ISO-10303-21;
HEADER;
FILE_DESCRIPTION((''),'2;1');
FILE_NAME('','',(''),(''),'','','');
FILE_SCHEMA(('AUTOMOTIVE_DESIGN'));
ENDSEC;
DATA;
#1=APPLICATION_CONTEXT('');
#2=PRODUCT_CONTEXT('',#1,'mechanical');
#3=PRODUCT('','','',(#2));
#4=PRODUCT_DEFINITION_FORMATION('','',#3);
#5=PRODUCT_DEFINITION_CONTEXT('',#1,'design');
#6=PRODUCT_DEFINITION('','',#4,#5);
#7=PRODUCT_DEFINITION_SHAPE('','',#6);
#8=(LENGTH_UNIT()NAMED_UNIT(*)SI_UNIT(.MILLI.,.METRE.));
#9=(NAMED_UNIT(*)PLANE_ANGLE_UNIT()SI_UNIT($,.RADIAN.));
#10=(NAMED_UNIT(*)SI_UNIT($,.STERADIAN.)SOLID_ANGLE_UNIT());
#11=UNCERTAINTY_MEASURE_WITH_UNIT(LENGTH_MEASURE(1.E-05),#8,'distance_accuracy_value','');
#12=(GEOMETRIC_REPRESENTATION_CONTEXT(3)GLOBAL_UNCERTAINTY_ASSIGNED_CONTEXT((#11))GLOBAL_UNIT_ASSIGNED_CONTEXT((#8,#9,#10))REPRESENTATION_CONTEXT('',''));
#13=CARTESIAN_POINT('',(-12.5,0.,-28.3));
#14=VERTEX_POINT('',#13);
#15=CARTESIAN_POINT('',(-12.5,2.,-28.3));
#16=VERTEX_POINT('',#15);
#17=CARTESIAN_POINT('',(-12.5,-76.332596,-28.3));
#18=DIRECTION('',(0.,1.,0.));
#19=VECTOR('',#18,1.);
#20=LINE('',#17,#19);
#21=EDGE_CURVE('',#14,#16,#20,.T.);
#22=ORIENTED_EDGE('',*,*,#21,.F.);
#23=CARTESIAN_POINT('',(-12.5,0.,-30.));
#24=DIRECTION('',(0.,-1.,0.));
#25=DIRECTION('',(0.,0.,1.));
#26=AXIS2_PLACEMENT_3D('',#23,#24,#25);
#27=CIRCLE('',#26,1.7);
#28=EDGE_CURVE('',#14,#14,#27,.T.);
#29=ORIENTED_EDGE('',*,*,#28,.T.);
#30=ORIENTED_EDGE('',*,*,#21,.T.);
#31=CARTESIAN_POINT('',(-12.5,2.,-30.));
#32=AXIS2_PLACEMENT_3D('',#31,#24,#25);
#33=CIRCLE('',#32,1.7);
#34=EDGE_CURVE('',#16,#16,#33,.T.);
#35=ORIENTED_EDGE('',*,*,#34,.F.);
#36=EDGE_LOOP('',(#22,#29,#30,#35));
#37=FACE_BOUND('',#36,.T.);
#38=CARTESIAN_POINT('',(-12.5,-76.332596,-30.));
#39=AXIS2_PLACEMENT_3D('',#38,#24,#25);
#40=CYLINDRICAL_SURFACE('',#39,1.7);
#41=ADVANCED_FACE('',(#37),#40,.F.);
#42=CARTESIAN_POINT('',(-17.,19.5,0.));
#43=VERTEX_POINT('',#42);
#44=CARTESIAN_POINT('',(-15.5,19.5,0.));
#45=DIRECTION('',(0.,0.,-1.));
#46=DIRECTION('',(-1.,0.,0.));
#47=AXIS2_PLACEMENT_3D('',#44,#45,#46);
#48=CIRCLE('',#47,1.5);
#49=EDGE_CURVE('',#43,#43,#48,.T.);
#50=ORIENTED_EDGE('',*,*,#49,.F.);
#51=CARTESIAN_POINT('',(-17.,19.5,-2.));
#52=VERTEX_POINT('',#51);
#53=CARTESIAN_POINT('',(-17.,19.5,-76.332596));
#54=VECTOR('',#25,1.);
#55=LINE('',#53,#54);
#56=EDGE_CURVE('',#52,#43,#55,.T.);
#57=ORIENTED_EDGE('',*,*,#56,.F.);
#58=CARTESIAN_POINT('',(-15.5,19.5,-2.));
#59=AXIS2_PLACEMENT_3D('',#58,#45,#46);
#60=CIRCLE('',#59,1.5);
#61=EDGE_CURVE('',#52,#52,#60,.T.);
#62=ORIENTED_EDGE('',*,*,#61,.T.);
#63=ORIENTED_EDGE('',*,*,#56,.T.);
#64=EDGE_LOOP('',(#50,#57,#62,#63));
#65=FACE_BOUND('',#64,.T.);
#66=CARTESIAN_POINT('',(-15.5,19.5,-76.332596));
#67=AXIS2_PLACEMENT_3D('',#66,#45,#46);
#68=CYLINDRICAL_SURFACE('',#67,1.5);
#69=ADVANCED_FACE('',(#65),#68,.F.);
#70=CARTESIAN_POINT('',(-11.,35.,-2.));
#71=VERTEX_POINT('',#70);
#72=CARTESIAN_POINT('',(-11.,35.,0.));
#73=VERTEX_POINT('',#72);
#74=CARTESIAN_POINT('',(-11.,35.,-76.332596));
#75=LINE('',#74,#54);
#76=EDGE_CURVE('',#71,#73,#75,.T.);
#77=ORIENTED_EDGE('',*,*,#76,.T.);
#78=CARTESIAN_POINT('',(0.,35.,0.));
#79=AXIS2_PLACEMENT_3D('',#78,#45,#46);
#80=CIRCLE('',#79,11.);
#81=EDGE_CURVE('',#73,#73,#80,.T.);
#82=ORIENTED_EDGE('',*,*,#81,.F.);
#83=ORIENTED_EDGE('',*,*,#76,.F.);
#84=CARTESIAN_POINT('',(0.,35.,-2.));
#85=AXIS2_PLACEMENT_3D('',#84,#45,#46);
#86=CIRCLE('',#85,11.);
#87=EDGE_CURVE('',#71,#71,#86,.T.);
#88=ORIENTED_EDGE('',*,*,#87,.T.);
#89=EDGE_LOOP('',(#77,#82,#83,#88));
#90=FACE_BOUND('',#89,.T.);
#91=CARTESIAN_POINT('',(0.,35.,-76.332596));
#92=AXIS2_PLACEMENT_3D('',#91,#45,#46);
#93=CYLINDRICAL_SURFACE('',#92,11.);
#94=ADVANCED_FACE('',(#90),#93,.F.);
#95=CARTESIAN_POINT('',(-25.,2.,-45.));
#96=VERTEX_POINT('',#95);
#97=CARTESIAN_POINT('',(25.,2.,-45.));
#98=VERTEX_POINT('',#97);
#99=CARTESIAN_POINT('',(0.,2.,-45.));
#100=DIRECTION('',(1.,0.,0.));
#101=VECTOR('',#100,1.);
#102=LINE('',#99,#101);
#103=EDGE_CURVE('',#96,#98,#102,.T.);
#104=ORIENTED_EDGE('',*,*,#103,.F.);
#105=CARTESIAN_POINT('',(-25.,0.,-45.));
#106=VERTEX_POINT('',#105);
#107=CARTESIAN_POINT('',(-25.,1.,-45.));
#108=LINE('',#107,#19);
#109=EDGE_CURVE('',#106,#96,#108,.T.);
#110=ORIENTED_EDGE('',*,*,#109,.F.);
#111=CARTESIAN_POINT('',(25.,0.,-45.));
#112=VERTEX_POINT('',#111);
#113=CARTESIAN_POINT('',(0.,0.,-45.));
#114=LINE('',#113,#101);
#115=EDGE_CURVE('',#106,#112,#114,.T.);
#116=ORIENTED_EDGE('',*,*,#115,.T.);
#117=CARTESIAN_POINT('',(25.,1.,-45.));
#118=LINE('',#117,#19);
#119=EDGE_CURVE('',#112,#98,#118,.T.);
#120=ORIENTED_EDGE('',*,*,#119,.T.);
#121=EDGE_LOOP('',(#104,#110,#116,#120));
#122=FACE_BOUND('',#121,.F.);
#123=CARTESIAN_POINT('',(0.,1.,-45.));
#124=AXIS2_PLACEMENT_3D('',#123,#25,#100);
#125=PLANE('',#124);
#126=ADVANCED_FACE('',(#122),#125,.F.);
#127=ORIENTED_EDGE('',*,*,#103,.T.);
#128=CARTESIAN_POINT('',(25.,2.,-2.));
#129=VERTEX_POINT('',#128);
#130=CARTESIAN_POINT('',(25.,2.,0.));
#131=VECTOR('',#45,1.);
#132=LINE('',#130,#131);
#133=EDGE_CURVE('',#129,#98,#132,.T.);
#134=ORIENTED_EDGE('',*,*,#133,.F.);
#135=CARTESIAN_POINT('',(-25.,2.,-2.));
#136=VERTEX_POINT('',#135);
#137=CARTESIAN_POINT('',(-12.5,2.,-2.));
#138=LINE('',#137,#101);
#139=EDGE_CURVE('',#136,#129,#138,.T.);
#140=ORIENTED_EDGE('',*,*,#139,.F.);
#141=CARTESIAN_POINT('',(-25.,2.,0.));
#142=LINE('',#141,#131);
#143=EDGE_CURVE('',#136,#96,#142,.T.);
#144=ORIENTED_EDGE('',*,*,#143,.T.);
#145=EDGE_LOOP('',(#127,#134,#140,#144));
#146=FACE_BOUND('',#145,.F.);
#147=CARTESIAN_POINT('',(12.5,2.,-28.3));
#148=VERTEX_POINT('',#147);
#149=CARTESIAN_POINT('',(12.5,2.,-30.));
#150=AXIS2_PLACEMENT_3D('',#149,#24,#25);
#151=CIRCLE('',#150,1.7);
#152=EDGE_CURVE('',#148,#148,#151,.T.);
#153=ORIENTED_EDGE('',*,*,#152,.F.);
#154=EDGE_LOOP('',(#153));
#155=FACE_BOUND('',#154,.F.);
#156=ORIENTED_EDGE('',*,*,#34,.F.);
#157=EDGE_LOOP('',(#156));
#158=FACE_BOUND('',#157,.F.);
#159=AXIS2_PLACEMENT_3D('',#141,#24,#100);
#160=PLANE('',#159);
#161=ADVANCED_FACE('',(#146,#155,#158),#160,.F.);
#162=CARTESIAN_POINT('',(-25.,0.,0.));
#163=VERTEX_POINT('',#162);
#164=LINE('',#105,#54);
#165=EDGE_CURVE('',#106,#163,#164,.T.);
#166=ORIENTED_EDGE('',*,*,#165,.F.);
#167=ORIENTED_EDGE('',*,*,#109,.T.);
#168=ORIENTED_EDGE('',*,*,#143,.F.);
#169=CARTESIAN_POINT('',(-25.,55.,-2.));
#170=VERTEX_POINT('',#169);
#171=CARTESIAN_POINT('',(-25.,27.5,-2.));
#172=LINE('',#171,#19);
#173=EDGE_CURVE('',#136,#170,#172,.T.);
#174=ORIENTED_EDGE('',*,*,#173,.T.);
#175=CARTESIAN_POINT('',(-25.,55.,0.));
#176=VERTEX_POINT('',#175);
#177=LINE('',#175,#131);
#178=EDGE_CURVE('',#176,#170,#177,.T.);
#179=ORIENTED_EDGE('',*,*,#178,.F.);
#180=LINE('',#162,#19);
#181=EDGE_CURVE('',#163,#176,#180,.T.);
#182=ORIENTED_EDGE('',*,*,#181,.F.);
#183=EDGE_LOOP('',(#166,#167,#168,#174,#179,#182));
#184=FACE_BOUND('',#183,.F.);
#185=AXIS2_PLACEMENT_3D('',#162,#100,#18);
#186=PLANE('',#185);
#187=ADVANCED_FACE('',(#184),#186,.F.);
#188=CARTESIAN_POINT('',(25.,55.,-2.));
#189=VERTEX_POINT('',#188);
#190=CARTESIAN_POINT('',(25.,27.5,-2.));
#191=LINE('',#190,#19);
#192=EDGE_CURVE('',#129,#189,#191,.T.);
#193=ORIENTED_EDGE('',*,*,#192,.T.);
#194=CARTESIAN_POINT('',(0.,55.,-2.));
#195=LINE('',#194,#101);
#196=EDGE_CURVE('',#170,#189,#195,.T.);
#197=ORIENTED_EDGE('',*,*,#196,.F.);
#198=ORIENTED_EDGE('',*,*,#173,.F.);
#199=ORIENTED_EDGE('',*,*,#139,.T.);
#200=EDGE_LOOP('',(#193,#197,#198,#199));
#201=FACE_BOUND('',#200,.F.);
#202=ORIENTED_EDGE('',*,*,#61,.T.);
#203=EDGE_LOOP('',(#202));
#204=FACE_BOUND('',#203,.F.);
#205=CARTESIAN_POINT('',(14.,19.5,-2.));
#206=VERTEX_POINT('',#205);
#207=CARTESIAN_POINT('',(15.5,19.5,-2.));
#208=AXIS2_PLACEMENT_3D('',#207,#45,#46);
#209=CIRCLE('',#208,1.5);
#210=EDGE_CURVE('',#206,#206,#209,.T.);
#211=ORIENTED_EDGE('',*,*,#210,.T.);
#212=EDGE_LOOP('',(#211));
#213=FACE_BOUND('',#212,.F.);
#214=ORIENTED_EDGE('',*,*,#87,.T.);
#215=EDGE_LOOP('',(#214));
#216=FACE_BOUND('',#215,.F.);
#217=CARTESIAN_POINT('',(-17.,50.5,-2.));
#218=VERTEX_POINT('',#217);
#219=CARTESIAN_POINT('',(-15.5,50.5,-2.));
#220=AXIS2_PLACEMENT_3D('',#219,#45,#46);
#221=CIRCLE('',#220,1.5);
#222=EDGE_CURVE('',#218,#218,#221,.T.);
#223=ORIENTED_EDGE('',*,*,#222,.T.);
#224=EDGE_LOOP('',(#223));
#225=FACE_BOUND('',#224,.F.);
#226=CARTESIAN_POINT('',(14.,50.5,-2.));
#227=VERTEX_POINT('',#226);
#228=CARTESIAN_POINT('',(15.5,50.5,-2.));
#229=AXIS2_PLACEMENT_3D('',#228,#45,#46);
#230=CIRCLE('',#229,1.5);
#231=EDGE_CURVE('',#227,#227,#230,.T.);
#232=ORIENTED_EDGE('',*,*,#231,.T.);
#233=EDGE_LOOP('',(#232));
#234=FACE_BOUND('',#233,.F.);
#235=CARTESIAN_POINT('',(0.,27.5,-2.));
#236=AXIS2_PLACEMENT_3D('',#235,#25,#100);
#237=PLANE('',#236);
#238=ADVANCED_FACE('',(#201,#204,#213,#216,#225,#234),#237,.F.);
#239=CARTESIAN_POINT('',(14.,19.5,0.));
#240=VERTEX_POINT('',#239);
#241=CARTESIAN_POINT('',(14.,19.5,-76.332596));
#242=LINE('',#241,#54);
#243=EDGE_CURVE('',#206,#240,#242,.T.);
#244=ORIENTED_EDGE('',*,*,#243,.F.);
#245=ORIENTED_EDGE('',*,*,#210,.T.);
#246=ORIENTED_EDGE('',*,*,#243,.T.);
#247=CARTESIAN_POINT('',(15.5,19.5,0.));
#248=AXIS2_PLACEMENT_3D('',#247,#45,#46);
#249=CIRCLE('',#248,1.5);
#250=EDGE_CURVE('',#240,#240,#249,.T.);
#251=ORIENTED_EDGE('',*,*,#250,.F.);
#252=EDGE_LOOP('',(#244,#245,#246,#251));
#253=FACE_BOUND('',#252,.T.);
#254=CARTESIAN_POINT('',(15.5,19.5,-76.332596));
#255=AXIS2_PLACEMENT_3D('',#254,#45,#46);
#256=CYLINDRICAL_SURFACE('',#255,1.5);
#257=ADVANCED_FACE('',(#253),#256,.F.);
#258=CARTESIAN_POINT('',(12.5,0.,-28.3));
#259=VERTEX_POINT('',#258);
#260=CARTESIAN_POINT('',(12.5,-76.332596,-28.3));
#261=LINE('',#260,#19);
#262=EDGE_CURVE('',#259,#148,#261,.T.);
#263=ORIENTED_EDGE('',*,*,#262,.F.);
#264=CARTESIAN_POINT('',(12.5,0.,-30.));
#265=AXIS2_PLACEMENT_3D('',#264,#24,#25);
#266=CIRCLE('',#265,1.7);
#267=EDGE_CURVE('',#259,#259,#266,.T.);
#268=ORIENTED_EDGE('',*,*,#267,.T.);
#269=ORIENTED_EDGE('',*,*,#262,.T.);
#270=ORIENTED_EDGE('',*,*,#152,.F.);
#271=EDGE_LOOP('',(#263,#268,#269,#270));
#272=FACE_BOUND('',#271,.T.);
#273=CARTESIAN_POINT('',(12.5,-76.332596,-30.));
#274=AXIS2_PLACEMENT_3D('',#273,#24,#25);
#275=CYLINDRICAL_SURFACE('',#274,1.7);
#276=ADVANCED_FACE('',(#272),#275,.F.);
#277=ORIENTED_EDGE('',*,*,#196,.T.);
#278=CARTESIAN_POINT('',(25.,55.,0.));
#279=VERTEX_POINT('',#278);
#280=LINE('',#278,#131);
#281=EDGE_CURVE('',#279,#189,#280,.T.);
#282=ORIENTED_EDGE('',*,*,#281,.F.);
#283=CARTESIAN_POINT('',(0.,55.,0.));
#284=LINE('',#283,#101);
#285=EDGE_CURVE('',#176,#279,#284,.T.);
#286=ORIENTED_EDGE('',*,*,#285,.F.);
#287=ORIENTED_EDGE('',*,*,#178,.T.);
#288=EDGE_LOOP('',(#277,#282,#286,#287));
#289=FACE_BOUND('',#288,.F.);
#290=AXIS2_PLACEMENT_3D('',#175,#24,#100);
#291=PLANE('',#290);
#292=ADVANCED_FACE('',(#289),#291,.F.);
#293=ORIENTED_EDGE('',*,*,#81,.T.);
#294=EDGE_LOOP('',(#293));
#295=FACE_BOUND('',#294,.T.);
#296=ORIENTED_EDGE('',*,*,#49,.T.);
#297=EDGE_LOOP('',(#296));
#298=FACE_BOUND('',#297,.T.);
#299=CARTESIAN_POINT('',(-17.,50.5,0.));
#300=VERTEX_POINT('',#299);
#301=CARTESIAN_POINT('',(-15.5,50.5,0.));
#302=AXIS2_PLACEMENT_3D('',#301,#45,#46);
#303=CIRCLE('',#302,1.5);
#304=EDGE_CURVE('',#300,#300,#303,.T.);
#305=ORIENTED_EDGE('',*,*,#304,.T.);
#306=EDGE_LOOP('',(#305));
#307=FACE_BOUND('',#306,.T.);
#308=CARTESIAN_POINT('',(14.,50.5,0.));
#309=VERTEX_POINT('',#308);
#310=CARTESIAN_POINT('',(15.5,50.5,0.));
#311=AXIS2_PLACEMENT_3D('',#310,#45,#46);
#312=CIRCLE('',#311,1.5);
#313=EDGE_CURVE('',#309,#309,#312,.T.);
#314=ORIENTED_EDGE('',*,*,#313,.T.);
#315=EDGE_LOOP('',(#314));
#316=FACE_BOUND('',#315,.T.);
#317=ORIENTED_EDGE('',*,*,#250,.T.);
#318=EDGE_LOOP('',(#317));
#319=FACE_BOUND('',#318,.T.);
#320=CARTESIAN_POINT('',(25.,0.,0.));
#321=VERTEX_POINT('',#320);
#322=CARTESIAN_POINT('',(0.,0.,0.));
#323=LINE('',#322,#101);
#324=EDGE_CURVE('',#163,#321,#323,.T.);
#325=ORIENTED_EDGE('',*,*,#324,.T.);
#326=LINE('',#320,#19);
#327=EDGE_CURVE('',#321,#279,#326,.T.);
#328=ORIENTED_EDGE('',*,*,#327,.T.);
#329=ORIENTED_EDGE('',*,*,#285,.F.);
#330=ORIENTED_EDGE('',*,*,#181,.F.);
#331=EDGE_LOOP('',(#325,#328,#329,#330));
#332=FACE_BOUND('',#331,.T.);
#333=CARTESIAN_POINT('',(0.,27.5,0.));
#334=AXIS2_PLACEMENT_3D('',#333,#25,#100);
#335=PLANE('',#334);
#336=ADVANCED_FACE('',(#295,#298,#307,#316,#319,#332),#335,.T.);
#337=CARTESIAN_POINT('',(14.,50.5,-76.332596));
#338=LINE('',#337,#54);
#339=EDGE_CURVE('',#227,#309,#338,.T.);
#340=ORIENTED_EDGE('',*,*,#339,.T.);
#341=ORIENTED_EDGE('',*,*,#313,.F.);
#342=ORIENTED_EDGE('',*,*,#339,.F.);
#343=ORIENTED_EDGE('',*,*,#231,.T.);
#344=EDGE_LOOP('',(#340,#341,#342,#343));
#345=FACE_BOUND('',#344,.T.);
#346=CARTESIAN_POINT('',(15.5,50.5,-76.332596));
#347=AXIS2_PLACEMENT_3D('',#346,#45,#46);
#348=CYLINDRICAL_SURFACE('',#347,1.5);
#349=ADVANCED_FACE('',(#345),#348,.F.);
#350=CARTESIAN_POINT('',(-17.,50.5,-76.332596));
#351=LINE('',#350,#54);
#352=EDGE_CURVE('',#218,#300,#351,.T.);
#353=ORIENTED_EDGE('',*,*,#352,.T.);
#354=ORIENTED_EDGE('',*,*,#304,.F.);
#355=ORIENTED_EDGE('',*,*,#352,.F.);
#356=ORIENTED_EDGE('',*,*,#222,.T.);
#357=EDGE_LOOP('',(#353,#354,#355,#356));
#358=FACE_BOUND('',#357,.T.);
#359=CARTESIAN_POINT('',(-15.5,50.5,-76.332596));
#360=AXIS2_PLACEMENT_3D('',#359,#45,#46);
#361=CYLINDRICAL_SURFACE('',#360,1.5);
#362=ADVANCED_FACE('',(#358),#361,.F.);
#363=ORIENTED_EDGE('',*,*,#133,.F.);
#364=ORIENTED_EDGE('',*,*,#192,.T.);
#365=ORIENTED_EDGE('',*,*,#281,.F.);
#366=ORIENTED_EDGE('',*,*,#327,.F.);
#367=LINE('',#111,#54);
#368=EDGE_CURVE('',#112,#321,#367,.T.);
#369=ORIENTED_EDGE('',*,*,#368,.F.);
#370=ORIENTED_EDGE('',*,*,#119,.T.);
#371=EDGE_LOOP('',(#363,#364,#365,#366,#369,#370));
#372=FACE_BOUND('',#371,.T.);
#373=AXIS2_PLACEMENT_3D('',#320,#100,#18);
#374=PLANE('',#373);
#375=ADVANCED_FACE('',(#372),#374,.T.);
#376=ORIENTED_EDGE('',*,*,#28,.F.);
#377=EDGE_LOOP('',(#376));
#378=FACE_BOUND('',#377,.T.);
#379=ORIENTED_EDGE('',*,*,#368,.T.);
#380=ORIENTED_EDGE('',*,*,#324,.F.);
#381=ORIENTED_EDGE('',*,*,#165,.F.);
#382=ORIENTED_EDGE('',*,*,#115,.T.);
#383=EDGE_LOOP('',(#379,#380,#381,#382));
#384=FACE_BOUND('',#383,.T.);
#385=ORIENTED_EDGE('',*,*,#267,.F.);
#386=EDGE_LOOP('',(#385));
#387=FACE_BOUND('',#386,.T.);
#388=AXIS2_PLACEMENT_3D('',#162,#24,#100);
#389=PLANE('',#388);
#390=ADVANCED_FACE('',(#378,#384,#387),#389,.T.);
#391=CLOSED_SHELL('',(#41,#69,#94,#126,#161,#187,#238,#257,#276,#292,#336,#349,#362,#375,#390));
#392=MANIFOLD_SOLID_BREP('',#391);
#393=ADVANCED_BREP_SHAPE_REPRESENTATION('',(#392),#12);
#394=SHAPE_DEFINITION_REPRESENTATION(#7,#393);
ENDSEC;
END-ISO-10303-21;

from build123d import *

# Parameters (mm, degrees)
SKETCH1_W                 = 50
SKETCH1_H                 = 55
BOSS_EXTRUDE1_DEPTH       = 2
SKETCH2_W                 = 50
SKETCH2_H                 = 2
BOSS_EXTRUDE2_DEPTH       = 45
CUT_EXTRUDE1_DEPTH        = 76.332595867
CUT_EXTRUDE1_DEPTH_BACK   = 76.332595867
SKETCH3_R                 = 1.5
LO_TAM_D22_DEPTH          = 76.332595867
LO_TAM_D22_DEPTH_BACK     = 76.332595867
SKETCH4_R                 = 11
HAI_LO_CHAN_M3_DEPTH      = 76.332595867
HAI_LO_CHAN_M3_DEPTH_BACK = 76.332595867
SKETCH5_R                 = 1.7


with BuildPart() as part:
    # Sketch1 → Boss-Extrude1 (new body)
    with BuildSketch(Plane.XY):
        with Locations((0, 27.5)):
            Rectangle(SKETCH1_W, SKETCH1_H)
    extrude(amount=-BOSS_EXTRUDE1_DEPTH)

    # Sketch2 → Boss-Extrude2 (add)
    with BuildSketch(Plane.XY):
        with Locations((0, 1)):
            Rectangle(SKETCH2_W, SKETCH2_H)
    extrude(amount=-BOSS_EXTRUDE2_DEPTH)

    # Sketch3 → Cut-Extrude1 (cut, two sides: drawn at the far end of the back side and taken through both)
    with BuildSketch(Plane.XY.offset(-CUT_EXTRUDE1_DEPTH_BACK)):
        with Locations(Location((-15.5, 19.5, 0), (0, 0, 180))):
            Circle(SKETCH3_R)
        with Locations(Location((-15.5, 50.5, 0), (0, 0, 180))):
            Circle(SKETCH3_R)
        with Locations(Location((15.5, 19.5, 0), (0, 0, 180))):
            Circle(SKETCH3_R)
        with Locations(Location((15.5, 50.5, 0), (0, 0, 180))):
            Circle(SKETCH3_R)
    extrude(amount=CUT_EXTRUDE1_DEPTH + CUT_EXTRUDE1_DEPTH_BACK, mode=Mode.SUBTRACT)

    # Sketch4 → Lo_tam_D22 (cut, two sides: drawn at the far end of the back side and taken through both)
    with BuildSketch(Plane.XY.offset(-LO_TAM_D22_DEPTH_BACK)):
        with Locations(Location((0, 35, 0), (0, 0, 180))):
            Circle(SKETCH4_R)
    extrude(amount=LO_TAM_D22_DEPTH + LO_TAM_D22_DEPTH_BACK, mode=Mode.SUBTRACT)

    # Sketch5 → Hai_lo_chan_M3 (cut, two sides: drawn at the far end of the back side and taken through both)
    with BuildSketch(Plane(origin=(0, 0, 0), x_dir=(1, 0, 0), z_dir=(0, 1, 0)).offset(-HAI_LO_CHAN_M3_DEPTH_BACK)):
        with Locations(Location((-12.5, 30, 0), (0, 0, 270))):
            Circle(SKETCH5_R)
        with Locations(Location((12.5, 30, 0), (0, 0, 270))):
            Circle(SKETCH5_R)
    extrude(amount=HAI_LO_CHAN_M3_DEPTH + HAI_LO_CHAN_M3_DEPTH_BACK, mode=Mode.SUBTRACT)


solid = part.part
